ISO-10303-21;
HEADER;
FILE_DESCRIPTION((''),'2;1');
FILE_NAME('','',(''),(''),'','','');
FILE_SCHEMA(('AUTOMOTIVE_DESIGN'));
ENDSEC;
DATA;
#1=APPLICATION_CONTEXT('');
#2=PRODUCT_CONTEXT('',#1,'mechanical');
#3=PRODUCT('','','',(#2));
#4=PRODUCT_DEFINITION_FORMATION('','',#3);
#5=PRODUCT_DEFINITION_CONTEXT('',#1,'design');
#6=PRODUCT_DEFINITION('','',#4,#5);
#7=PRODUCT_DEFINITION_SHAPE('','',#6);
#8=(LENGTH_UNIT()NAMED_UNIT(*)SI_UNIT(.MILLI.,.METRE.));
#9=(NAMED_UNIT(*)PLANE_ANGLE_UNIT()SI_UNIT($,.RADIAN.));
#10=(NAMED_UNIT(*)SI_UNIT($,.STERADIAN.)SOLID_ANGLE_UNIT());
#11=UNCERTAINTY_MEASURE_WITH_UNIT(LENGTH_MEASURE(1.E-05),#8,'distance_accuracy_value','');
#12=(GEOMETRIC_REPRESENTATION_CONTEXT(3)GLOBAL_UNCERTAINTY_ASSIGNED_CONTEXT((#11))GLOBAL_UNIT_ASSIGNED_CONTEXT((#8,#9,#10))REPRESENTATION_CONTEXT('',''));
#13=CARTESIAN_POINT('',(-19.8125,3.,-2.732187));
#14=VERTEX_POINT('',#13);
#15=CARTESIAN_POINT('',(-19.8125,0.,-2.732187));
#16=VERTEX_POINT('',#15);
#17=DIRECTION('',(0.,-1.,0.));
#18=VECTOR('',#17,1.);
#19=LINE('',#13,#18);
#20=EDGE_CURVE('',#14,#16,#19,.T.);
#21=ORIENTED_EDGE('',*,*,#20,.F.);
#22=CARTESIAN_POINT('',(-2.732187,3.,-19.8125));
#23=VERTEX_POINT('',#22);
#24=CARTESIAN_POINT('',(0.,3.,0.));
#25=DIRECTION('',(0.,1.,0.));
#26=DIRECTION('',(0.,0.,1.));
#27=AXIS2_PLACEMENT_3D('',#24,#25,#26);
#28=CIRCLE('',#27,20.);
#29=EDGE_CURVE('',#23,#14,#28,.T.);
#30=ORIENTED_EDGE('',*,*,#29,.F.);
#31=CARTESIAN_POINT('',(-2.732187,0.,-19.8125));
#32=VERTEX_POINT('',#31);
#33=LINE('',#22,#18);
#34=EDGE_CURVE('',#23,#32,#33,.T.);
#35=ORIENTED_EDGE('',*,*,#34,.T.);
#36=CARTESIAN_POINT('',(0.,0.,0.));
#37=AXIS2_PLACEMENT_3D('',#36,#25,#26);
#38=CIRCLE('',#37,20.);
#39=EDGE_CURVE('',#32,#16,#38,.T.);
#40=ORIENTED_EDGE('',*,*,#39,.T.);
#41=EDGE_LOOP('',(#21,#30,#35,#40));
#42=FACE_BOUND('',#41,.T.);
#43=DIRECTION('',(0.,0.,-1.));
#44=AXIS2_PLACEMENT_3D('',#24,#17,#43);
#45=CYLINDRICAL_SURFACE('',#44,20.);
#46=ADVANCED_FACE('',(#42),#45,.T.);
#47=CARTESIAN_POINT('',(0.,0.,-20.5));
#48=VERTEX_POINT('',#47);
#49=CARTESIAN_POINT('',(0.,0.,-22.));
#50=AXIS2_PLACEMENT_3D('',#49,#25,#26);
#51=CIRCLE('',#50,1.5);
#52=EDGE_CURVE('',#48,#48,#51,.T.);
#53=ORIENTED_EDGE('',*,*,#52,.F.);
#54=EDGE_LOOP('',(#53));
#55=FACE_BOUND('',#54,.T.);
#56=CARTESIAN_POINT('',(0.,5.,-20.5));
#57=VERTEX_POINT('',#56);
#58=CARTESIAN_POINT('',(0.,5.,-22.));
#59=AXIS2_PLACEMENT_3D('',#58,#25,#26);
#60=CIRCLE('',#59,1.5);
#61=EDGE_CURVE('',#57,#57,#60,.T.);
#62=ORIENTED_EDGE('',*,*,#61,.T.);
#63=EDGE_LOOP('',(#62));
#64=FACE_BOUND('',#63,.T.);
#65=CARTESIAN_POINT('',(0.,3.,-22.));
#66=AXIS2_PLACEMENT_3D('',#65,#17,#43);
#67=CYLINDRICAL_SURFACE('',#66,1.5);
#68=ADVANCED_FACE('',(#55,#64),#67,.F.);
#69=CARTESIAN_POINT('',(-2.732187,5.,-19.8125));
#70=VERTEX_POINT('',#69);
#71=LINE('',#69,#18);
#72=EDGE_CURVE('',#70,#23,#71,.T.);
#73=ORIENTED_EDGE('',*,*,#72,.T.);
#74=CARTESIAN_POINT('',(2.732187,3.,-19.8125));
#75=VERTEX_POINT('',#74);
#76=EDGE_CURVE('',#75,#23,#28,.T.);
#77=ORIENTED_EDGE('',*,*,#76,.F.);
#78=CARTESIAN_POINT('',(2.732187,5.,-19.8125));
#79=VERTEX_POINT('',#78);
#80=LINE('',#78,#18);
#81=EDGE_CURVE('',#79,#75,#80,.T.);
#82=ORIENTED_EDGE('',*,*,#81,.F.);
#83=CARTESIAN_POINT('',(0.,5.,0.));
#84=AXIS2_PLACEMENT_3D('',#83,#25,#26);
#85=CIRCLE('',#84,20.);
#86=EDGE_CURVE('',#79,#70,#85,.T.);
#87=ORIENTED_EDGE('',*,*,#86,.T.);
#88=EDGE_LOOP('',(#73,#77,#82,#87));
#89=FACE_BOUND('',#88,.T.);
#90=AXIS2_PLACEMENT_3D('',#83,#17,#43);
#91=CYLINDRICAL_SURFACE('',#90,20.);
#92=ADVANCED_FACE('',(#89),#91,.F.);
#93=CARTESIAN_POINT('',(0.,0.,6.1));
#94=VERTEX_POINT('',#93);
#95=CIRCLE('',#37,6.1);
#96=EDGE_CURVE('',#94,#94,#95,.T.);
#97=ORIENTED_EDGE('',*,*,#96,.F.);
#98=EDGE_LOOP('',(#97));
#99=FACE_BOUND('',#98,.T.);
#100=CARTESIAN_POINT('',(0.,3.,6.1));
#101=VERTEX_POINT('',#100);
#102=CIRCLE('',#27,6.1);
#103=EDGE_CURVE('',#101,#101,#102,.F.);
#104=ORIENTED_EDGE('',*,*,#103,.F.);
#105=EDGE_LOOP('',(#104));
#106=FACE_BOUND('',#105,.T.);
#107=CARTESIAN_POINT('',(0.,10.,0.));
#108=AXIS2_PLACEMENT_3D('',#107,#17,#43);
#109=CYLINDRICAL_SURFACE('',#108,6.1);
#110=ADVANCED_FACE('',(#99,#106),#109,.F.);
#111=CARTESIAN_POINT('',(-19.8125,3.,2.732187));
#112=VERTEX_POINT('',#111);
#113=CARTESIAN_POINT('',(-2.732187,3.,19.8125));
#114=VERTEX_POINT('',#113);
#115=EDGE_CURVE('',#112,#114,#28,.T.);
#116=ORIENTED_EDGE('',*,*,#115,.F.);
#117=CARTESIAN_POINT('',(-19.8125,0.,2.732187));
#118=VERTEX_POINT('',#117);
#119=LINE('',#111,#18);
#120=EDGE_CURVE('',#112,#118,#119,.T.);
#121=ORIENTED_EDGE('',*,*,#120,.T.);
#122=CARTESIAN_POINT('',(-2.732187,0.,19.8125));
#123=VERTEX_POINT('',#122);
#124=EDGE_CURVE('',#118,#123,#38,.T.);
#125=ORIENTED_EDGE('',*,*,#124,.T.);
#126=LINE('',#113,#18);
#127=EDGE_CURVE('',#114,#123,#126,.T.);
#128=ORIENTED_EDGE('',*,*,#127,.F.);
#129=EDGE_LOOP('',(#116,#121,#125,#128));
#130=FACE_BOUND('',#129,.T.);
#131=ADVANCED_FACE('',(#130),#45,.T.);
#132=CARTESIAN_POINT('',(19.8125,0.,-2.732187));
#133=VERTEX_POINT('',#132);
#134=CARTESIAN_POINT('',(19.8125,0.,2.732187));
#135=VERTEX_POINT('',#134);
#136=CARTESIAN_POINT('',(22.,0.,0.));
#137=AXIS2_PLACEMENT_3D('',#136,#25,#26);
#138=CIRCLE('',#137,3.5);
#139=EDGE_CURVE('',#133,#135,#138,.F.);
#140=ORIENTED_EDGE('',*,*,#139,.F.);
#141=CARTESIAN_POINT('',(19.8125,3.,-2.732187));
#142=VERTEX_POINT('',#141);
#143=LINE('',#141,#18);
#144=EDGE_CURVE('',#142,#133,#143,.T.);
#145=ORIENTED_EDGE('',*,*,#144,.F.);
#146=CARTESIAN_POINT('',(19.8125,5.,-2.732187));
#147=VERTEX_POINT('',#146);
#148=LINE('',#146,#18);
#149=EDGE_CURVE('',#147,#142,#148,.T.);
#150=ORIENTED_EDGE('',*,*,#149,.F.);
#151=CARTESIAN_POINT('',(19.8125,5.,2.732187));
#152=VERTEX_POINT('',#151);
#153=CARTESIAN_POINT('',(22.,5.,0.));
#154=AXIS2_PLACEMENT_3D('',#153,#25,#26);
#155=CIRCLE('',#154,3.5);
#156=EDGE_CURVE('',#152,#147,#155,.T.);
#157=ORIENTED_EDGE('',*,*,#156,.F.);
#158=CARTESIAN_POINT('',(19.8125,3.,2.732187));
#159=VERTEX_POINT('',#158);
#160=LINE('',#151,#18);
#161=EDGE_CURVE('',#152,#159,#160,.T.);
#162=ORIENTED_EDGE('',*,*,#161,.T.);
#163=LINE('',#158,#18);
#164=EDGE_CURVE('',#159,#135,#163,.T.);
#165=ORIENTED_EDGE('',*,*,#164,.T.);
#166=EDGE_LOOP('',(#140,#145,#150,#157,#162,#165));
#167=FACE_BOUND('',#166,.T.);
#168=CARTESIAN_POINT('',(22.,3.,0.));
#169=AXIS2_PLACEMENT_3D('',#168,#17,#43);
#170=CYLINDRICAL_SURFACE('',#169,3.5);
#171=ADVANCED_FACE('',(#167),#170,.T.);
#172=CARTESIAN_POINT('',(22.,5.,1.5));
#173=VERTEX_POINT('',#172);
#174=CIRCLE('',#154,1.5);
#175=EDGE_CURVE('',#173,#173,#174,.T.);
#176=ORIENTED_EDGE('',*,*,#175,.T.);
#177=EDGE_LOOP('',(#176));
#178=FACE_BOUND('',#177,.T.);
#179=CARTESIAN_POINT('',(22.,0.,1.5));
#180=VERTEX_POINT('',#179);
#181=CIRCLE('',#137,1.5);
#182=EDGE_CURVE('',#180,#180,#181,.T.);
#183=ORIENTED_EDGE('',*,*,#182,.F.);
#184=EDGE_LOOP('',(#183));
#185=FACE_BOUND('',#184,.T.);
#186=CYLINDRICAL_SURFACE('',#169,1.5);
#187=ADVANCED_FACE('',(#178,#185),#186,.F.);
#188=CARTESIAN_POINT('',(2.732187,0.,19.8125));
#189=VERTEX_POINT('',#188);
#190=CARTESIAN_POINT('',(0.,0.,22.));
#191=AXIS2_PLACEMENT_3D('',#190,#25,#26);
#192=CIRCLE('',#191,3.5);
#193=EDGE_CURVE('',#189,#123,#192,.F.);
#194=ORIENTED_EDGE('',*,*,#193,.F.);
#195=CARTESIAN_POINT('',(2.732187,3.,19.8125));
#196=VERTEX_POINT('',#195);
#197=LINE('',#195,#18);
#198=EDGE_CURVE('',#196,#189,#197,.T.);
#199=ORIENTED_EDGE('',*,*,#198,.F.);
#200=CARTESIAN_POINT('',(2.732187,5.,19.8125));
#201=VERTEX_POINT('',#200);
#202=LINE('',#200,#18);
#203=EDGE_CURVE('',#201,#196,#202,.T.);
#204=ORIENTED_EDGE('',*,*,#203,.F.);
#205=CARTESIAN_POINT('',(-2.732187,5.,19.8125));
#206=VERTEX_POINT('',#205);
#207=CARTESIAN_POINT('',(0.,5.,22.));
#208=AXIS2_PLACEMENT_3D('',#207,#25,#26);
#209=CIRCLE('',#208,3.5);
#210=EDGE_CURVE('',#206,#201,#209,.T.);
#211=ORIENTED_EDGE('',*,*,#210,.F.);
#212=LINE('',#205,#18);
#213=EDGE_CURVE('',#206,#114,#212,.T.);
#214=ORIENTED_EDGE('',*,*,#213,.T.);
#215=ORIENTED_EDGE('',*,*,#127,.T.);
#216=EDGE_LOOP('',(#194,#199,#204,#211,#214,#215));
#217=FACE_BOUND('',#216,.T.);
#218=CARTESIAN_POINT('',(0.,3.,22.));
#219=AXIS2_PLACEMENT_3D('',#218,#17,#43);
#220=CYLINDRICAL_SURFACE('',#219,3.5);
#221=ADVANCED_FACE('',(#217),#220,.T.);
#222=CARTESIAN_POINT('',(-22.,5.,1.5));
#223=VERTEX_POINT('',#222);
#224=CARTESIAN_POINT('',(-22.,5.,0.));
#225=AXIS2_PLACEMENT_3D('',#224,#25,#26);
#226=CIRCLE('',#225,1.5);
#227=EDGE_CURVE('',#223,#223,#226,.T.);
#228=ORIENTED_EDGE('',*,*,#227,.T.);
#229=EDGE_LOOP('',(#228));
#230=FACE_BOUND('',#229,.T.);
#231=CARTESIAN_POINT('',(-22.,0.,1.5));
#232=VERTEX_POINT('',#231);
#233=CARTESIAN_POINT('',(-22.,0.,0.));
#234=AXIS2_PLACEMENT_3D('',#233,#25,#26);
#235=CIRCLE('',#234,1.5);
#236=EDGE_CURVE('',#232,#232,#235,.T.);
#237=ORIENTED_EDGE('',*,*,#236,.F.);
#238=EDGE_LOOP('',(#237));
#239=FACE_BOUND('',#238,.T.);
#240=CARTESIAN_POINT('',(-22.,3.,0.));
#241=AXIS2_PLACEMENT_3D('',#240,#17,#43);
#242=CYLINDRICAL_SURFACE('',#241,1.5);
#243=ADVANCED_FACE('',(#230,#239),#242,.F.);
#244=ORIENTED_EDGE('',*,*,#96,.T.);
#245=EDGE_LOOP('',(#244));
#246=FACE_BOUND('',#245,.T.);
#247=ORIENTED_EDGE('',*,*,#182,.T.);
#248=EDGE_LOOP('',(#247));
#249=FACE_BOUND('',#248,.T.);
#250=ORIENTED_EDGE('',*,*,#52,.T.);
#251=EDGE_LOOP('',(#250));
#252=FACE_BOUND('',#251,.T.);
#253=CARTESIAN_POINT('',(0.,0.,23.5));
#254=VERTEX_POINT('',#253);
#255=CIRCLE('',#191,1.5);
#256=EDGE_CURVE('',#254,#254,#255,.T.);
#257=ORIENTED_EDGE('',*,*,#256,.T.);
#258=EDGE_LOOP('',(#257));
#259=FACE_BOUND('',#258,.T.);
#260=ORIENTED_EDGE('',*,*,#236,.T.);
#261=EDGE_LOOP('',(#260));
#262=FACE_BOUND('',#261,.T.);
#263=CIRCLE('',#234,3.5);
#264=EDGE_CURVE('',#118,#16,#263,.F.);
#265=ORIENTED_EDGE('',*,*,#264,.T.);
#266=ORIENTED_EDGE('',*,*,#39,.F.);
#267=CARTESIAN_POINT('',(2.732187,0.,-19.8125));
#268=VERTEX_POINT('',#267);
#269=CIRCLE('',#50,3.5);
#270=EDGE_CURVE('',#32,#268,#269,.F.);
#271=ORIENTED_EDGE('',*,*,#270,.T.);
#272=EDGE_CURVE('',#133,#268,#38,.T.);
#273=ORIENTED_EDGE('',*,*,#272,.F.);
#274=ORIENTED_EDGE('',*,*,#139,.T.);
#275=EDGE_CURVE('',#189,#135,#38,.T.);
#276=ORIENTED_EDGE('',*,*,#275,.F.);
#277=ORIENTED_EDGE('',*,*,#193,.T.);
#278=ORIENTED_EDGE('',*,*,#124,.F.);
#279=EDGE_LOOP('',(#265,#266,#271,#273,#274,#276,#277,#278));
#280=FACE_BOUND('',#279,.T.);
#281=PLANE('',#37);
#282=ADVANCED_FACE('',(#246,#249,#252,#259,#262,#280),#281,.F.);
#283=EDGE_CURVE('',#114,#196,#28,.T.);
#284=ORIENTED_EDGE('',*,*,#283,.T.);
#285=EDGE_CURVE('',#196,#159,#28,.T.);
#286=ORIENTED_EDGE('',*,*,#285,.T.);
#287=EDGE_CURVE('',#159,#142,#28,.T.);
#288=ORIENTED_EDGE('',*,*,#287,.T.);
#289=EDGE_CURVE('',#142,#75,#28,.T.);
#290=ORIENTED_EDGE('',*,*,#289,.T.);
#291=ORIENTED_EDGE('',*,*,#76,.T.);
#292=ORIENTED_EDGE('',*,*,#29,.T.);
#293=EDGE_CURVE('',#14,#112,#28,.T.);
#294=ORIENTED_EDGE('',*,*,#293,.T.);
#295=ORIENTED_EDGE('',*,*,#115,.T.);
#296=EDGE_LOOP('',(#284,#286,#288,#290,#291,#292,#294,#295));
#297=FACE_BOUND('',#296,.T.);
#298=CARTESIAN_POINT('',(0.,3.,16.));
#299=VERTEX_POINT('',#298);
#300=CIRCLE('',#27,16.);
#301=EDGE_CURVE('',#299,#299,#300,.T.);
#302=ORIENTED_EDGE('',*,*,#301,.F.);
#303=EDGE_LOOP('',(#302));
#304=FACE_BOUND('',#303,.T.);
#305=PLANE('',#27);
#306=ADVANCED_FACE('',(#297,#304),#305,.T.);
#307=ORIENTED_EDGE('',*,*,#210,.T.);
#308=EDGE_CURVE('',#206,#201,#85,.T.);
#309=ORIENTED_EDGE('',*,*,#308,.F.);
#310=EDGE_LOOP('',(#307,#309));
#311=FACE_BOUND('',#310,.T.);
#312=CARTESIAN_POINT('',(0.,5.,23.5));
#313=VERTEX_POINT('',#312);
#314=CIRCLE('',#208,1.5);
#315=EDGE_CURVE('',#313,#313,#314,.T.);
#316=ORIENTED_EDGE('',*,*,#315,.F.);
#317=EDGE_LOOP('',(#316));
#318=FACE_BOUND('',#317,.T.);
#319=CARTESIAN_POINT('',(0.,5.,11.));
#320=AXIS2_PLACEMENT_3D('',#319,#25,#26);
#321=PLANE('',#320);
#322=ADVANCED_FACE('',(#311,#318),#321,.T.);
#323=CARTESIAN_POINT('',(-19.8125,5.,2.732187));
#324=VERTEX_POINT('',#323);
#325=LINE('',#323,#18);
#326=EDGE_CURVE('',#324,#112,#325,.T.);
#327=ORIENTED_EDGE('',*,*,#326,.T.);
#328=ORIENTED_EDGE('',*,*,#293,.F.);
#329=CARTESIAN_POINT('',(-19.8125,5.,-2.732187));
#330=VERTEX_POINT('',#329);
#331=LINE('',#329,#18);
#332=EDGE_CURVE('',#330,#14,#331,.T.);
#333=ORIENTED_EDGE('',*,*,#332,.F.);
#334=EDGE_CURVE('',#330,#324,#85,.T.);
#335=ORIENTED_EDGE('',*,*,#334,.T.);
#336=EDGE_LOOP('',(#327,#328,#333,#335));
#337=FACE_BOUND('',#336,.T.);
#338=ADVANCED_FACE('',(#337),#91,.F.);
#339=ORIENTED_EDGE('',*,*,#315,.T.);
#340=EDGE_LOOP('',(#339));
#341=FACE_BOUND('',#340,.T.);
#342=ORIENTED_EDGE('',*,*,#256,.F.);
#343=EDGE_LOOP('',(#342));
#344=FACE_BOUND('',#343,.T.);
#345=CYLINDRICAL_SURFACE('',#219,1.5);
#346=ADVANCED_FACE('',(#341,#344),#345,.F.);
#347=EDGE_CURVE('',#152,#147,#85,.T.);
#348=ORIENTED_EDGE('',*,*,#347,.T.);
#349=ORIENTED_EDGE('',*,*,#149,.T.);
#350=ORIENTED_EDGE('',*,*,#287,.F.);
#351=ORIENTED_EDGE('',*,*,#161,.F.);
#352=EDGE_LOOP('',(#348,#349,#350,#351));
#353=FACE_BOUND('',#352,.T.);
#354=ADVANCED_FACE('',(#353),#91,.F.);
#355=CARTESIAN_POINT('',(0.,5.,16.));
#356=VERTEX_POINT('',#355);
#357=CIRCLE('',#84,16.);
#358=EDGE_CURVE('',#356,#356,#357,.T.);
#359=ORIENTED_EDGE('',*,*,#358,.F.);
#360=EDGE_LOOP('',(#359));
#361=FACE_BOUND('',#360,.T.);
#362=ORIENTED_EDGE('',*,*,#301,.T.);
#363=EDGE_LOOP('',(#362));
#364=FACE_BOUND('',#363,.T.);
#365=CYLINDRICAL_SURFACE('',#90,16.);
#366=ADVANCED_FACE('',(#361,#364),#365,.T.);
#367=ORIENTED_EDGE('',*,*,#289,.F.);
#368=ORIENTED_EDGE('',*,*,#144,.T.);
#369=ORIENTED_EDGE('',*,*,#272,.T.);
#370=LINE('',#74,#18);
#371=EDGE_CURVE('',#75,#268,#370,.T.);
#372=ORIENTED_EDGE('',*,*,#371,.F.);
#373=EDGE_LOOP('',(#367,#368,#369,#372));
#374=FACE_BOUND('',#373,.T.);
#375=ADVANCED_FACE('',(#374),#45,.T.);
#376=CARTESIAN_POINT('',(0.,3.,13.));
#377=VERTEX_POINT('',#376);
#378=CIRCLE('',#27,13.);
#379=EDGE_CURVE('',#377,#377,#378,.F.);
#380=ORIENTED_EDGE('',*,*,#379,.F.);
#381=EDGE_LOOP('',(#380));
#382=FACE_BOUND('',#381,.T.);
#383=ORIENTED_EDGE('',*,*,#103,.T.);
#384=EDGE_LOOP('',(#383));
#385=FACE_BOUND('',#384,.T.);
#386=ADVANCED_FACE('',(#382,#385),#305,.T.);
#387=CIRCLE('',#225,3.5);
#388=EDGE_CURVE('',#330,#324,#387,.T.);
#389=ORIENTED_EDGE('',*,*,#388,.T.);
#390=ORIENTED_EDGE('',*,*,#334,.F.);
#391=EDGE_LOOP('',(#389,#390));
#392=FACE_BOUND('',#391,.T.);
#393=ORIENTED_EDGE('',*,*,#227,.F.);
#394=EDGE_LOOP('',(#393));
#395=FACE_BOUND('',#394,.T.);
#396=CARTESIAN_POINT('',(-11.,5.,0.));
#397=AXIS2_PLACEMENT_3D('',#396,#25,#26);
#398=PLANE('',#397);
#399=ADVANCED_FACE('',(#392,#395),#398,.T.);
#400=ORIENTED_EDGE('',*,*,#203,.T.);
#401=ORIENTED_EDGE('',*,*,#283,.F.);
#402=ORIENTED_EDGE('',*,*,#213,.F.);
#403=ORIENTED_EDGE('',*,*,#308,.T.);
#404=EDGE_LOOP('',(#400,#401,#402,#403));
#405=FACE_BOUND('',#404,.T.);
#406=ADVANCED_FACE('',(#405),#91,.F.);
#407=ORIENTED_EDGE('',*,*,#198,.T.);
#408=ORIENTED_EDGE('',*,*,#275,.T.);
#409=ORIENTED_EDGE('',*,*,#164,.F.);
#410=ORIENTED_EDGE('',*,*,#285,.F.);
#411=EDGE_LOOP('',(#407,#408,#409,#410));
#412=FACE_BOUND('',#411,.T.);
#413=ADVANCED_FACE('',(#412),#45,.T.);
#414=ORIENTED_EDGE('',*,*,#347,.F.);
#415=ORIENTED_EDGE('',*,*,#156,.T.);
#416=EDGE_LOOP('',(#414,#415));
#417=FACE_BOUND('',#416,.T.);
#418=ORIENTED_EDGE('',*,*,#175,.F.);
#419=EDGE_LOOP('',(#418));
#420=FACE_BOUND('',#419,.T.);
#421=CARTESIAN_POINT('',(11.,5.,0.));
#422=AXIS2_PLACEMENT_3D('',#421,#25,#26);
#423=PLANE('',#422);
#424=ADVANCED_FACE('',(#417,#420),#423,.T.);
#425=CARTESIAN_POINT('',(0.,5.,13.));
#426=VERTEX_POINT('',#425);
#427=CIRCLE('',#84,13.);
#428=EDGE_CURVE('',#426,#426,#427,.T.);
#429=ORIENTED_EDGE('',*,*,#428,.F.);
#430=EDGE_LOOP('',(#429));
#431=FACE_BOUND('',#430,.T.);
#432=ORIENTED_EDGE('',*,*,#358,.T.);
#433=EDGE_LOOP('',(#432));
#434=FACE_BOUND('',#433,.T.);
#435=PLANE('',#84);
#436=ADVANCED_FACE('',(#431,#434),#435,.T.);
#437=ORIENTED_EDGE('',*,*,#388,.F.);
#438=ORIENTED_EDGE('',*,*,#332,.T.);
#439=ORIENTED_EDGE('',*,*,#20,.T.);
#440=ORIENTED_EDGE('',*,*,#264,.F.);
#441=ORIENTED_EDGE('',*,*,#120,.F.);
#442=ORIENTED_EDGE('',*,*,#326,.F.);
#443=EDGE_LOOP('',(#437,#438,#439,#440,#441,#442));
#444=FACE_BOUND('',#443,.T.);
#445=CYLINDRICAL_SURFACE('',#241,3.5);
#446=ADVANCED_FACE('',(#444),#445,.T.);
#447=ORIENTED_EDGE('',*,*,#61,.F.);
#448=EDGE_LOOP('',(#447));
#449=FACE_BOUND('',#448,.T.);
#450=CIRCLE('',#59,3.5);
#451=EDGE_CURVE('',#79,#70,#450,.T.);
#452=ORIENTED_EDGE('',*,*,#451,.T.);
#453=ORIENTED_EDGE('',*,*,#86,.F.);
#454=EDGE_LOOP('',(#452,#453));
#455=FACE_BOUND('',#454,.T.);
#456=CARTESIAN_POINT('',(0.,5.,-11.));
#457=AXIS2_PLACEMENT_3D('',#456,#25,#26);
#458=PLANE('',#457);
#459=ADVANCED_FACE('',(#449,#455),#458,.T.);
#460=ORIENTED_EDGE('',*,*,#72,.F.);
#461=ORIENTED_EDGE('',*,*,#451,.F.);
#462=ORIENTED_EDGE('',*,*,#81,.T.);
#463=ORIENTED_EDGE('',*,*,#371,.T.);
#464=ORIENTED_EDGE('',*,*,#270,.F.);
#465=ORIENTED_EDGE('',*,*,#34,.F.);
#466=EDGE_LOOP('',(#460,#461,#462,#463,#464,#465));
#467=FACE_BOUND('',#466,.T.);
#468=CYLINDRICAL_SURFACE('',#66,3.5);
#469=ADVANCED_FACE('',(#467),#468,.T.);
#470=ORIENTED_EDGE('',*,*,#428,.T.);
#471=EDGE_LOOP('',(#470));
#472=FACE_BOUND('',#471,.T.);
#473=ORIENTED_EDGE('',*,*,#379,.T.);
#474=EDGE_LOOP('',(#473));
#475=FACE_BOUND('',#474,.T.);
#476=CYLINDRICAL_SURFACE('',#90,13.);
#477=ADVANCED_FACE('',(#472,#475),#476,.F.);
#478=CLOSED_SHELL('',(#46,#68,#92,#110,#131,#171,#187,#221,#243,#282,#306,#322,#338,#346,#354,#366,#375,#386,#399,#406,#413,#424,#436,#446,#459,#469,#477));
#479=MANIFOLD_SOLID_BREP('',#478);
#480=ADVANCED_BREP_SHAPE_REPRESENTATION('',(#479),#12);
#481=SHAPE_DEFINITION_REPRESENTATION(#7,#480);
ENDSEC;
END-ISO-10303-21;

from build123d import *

# Parameters (mm, degrees)
SKETCH1_R           = 1.5
BOSS_EXTRUDE1_DEPTH = 3
BOSS_EXTRUDE2_START = 3
SKETCH1_4_R         = 1.5
SKETCH1_4_R_2       = 16
SKETCH1_4_R_3       = 13
BOSS_EXTRUDE2_DEPTH = 2
SKETCH1_5_R         = 6.1
CUT_EXTRUDE1_DEPTH  = 10


with BuildPart() as part:
    # Sketch1 → Boss-Extrude1 (new body)
    with BuildSketch(Plane(origin=(0, 0, 0), x_dir=(1, 0, 0), z_dir=(0, 1, 0))):
        with BuildLine():
            ThreePointArc((19.8125, 2.732186624), (14.142135624, 14.142135624), (2.732186624, 19.8125))
            ThreePointArc((2.732186624, 19.8125), (0, 25.5), (-2.732186624, 19.8125))
            ThreePointArc((-2.732186624, 19.8125), (-14.142135624, 14.142135624), (-19.8125, 2.732186624))
            ThreePointArc((-19.8125, 2.732186624), (-25.5, 0), (-19.8125, -2.732186624))
            ThreePointArc((-19.8125, -2.732186624), (-14.142135624, -14.142135624), (-2.732186624, -19.8125))
            ThreePointArc((-2.732186624, -19.8125), (0, -25.5), (2.732186624, -19.8125))
            ThreePointArc((2.732186624, -19.8125), (14.142135624, -14.142135624), (19.8125, -2.732186624))
            ThreePointArc((19.8125, -2.732186624), (25.5, 0), (19.8125, 2.732186624))
        make_face()
        with Locations((22, 0)):
            Circle(SKETCH1_R, mode=Mode.SUBTRACT)
        with Locations((0, 22)):
            Circle(SKETCH1_R, mode=Mode.SUBTRACT)
        with Locations((0, -22)):
            Circle(SKETCH1_R, mode=Mode.SUBTRACT)
        with Locations((-22, 0)):
            Circle(SKETCH1_R, mode=Mode.SUBTRACT)
    extrude(amount=BOSS_EXTRUDE1_DEPTH)

    # Sketch1_4 → Boss-Extrude2 (add)
    with BuildSketch(Plane(origin=(0, 0, 0), x_dir=(1, 0, 0), z_dir=(0, 1, 0)).offset(BOSS_EXTRUDE2_START)):
        with BuildLine():
            ThreePointArc((-2.732186624, -19.8125), (0, -25.5), (2.732186624, -19.8125))
            ThreePointArc((2.732186624, -19.8125), (0, -20), (-2.732186624, -19.8125))
        make_face()
        with Locations((0, -22)):
            Circle(SKETCH1_4_R, mode=Mode.SUBTRACT)
        with BuildLine():
            ThreePointArc((19.8125, 2.732186624), (19.953069939, 1.369306394), (20, 0))
            ThreePointArc((20, 0), (19.953069939, -1.369306394), (19.8125, -2.732186624))
            ThreePointArc((19.8125, -2.732186624), (25.5, 0), (19.8125, 2.732186624))
        make_face()
        with Locations((22, 0)):
            Circle(SKETCH1_4_R, mode=Mode.SUBTRACT)
        with BuildLine():
            ThreePointArc((-2.732186624, 19.8125), (0, 20), (2.732186624, 19.8125))
            ThreePointArc((2.732186624, 19.8125), (0, 25.5), (-2.732186624, 19.8125))
        make_face()
        with Locations((0, 22)):
            Circle(SKETCH1_4_R, mode=Mode.SUBTRACT)
        with BuildLine():
            ThreePointArc((-19.8125, -2.732186624), (-20, 0), (-19.8125, 2.732186624))
            ThreePointArc((-19.8125, 2.732186624), (-25.5, 0), (-19.8125, -2.732186624))
        make_face()
        with Locations((-22, 0)):
            Circle(SKETCH1_4_R, mode=Mode.SUBTRACT)
        Circle(SKETCH1_4_R_2)
        Circle(SKETCH1_4_R_3, mode=Mode.SUBTRACT)
    extrude(amount=BOSS_EXTRUDE2_DEPTH)

    # Sketch1_5 → Cut-Extrude1 (cut)
    with BuildSketch(Plane(origin=(0, 0, 0), x_dir=(1, 0, 0), z_dir=(0, 1, 0))):
        Circle(SKETCH1_5_R)
    extrude(amount=CUT_EXTRUDE1_DEPTH, mode=Mode.SUBTRACT)


solid = part.part
